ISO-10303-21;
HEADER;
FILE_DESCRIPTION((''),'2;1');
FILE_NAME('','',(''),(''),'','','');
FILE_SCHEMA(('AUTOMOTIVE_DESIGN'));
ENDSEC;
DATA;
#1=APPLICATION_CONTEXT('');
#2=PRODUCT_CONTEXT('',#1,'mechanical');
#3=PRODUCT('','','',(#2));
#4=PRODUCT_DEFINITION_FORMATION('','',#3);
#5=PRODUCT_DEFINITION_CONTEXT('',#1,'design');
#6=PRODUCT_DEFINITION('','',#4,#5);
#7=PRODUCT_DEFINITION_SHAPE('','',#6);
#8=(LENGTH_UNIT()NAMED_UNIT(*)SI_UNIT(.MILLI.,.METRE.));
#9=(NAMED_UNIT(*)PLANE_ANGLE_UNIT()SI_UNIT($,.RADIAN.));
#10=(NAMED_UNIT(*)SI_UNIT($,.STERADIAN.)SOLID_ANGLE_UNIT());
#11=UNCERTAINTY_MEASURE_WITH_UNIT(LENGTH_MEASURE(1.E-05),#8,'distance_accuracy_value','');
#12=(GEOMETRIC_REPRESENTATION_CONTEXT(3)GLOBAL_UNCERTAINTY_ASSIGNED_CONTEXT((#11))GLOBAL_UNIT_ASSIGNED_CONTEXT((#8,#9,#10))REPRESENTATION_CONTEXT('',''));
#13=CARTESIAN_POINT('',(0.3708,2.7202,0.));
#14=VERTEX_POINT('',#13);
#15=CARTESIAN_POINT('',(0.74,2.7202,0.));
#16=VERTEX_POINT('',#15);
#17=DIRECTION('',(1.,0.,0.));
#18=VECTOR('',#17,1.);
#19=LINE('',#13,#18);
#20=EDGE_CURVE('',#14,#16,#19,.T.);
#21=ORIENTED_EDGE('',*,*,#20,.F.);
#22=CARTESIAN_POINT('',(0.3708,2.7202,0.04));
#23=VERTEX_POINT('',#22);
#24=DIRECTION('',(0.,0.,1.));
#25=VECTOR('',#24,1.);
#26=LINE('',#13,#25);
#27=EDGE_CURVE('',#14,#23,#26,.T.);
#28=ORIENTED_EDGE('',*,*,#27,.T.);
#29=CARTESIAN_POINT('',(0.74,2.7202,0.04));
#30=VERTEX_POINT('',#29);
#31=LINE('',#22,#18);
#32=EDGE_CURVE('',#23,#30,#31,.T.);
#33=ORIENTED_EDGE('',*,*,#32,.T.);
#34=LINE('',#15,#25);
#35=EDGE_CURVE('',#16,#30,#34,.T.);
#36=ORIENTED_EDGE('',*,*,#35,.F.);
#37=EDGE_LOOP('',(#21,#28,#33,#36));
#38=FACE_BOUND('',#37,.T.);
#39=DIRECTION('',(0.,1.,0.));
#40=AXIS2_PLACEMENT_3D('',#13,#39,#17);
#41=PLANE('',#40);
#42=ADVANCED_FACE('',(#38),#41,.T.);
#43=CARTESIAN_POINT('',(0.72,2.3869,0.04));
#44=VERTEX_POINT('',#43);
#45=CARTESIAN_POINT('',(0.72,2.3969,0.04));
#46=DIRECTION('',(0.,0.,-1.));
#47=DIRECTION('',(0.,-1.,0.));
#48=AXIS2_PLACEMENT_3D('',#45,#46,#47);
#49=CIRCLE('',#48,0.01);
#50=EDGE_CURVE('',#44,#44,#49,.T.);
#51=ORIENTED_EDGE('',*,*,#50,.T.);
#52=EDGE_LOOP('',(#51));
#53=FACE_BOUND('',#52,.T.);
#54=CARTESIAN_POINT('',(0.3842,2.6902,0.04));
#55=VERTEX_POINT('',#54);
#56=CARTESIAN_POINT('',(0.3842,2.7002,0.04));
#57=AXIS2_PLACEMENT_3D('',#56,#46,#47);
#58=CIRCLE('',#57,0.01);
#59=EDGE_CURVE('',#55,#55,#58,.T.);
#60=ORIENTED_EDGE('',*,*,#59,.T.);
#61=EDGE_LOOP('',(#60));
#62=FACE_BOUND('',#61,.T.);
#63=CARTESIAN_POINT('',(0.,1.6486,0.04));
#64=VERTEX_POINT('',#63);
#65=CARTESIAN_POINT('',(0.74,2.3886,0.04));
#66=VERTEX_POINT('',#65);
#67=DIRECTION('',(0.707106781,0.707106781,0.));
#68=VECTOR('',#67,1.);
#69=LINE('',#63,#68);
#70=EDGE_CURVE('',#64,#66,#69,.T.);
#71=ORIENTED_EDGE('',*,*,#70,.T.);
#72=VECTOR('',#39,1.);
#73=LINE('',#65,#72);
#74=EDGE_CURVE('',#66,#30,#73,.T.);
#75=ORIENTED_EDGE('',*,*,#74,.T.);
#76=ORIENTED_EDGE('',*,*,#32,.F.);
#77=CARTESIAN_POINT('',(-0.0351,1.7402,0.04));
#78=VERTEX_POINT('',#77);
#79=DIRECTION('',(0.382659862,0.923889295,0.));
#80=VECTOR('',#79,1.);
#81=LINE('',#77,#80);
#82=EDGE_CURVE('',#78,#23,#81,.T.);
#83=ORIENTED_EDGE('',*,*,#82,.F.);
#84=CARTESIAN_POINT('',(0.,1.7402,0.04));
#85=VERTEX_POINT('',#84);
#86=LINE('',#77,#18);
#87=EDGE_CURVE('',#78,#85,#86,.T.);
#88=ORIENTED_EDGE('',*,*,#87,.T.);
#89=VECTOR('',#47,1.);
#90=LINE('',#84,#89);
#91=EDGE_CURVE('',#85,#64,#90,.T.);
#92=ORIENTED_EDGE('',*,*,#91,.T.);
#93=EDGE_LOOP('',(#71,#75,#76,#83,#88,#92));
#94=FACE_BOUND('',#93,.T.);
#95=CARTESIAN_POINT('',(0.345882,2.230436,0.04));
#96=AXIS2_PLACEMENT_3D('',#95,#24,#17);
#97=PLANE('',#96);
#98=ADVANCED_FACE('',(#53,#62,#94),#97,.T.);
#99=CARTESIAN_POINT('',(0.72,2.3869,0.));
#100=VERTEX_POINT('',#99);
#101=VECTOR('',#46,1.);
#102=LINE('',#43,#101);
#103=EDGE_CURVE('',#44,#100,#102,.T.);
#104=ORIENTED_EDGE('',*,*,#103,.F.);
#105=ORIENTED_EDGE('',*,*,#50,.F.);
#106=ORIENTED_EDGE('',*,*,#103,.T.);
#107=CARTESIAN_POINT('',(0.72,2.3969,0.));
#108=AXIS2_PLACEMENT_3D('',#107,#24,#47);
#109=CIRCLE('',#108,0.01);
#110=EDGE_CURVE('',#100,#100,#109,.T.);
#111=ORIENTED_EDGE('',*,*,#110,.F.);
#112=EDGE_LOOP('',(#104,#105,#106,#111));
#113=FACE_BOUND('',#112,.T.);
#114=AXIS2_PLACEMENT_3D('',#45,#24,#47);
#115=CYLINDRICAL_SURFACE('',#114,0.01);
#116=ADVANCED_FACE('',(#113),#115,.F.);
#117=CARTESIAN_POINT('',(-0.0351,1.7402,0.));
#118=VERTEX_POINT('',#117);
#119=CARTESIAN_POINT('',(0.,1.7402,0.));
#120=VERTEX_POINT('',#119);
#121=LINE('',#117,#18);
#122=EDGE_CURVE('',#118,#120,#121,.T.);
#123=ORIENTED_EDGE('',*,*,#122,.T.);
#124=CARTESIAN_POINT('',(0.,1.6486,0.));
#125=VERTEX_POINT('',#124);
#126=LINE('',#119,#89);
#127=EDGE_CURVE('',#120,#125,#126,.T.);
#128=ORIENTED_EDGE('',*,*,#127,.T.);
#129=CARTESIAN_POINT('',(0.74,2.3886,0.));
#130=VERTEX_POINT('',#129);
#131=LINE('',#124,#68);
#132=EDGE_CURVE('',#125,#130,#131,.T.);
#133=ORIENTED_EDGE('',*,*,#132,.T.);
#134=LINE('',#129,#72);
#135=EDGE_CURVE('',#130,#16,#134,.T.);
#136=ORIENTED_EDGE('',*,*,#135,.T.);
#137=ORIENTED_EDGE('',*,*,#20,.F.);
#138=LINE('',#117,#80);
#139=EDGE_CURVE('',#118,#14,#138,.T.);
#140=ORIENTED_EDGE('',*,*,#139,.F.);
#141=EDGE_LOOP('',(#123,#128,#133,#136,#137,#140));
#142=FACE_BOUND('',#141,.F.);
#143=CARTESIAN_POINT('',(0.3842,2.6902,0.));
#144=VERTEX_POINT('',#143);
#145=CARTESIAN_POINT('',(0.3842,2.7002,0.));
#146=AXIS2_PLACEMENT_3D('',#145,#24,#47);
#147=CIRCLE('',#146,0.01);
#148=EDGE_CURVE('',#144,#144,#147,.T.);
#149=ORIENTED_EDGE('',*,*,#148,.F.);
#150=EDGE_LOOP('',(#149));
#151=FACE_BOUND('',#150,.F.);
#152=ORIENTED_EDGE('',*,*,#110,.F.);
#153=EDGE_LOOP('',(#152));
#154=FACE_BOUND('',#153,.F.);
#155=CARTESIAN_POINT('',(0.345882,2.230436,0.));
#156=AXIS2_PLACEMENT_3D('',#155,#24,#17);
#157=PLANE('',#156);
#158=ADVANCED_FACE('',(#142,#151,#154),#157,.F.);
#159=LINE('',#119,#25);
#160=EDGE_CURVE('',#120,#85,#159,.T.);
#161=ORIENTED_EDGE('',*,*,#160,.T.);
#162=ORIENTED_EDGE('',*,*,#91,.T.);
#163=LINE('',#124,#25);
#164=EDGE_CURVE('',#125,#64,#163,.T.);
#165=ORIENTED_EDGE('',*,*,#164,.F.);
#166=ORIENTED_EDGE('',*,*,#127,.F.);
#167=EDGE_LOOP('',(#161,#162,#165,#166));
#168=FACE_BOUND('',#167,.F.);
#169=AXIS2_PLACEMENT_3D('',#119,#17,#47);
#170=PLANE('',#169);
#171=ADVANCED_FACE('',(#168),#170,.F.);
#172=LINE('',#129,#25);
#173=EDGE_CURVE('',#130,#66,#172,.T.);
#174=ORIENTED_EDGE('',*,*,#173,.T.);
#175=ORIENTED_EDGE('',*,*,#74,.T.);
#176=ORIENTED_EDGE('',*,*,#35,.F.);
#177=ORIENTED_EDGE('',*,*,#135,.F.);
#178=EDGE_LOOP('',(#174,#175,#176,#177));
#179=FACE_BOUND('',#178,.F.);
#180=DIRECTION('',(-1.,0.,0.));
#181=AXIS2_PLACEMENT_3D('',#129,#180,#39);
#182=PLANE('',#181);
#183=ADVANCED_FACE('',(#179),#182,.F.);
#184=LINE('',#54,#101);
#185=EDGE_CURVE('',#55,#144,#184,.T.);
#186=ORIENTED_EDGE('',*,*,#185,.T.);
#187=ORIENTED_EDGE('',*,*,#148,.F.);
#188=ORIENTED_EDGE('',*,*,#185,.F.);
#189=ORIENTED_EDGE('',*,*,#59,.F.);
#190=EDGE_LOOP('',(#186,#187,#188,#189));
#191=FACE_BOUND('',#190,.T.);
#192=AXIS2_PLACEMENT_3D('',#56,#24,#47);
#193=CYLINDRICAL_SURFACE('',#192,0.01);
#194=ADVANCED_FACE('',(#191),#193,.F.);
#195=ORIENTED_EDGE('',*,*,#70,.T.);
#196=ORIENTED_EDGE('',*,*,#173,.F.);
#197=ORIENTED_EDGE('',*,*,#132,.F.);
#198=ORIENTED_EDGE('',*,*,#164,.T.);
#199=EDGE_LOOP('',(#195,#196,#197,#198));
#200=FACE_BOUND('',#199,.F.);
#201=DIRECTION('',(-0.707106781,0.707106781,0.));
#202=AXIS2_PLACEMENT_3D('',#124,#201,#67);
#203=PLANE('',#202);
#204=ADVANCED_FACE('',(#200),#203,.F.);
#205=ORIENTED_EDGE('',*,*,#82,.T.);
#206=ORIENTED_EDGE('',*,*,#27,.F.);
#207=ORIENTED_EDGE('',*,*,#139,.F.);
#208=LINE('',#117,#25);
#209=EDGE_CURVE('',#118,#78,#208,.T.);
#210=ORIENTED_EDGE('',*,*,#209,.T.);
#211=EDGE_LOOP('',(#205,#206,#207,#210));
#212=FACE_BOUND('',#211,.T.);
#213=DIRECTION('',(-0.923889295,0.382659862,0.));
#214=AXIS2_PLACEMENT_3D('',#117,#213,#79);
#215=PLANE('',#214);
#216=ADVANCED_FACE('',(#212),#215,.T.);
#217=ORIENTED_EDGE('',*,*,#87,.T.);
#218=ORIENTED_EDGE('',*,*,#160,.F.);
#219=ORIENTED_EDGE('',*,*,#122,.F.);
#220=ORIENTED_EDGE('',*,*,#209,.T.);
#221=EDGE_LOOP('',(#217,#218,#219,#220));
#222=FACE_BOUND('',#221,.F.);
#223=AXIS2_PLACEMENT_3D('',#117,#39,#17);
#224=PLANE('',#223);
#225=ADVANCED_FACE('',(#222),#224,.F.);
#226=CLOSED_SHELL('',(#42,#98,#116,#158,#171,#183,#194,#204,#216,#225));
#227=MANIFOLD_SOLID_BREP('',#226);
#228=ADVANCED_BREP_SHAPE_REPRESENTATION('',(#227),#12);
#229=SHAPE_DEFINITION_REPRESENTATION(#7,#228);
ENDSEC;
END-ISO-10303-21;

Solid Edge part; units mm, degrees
sketch "Sketch1" plane through (0, 0, 0) normal (0, 0, 1) x (1, 0, 0)
  line L0 (0, 1.6486) -> (0.74, 2.3886)
  line L1 (0.74, 2.3886) -> (0.74, 2.7202)
  line L2 (0.3708, 2.7202) -> (0.74, 2.7202)
  line L3 (-0.0351, 1.7402) -> (0.3708, 2.7202)
  line L4 (-0.0351, 1.7402) -> (0, 1.7402)
  line L5 (0, 1.7402) -> (0, 1.6486)
extrude "Protrusion1" add sketch "Sketch1" along normal blind 0.04
hole "Bohrung_5" at (0.3842, 2.7002, 0.04) direction (0, 0, -1) diameter 0.02 end through all
hole "Hole1" at (0.72, 2.3969, 0.04) direction (0, 0, -1) diameter 0.02 end through all
